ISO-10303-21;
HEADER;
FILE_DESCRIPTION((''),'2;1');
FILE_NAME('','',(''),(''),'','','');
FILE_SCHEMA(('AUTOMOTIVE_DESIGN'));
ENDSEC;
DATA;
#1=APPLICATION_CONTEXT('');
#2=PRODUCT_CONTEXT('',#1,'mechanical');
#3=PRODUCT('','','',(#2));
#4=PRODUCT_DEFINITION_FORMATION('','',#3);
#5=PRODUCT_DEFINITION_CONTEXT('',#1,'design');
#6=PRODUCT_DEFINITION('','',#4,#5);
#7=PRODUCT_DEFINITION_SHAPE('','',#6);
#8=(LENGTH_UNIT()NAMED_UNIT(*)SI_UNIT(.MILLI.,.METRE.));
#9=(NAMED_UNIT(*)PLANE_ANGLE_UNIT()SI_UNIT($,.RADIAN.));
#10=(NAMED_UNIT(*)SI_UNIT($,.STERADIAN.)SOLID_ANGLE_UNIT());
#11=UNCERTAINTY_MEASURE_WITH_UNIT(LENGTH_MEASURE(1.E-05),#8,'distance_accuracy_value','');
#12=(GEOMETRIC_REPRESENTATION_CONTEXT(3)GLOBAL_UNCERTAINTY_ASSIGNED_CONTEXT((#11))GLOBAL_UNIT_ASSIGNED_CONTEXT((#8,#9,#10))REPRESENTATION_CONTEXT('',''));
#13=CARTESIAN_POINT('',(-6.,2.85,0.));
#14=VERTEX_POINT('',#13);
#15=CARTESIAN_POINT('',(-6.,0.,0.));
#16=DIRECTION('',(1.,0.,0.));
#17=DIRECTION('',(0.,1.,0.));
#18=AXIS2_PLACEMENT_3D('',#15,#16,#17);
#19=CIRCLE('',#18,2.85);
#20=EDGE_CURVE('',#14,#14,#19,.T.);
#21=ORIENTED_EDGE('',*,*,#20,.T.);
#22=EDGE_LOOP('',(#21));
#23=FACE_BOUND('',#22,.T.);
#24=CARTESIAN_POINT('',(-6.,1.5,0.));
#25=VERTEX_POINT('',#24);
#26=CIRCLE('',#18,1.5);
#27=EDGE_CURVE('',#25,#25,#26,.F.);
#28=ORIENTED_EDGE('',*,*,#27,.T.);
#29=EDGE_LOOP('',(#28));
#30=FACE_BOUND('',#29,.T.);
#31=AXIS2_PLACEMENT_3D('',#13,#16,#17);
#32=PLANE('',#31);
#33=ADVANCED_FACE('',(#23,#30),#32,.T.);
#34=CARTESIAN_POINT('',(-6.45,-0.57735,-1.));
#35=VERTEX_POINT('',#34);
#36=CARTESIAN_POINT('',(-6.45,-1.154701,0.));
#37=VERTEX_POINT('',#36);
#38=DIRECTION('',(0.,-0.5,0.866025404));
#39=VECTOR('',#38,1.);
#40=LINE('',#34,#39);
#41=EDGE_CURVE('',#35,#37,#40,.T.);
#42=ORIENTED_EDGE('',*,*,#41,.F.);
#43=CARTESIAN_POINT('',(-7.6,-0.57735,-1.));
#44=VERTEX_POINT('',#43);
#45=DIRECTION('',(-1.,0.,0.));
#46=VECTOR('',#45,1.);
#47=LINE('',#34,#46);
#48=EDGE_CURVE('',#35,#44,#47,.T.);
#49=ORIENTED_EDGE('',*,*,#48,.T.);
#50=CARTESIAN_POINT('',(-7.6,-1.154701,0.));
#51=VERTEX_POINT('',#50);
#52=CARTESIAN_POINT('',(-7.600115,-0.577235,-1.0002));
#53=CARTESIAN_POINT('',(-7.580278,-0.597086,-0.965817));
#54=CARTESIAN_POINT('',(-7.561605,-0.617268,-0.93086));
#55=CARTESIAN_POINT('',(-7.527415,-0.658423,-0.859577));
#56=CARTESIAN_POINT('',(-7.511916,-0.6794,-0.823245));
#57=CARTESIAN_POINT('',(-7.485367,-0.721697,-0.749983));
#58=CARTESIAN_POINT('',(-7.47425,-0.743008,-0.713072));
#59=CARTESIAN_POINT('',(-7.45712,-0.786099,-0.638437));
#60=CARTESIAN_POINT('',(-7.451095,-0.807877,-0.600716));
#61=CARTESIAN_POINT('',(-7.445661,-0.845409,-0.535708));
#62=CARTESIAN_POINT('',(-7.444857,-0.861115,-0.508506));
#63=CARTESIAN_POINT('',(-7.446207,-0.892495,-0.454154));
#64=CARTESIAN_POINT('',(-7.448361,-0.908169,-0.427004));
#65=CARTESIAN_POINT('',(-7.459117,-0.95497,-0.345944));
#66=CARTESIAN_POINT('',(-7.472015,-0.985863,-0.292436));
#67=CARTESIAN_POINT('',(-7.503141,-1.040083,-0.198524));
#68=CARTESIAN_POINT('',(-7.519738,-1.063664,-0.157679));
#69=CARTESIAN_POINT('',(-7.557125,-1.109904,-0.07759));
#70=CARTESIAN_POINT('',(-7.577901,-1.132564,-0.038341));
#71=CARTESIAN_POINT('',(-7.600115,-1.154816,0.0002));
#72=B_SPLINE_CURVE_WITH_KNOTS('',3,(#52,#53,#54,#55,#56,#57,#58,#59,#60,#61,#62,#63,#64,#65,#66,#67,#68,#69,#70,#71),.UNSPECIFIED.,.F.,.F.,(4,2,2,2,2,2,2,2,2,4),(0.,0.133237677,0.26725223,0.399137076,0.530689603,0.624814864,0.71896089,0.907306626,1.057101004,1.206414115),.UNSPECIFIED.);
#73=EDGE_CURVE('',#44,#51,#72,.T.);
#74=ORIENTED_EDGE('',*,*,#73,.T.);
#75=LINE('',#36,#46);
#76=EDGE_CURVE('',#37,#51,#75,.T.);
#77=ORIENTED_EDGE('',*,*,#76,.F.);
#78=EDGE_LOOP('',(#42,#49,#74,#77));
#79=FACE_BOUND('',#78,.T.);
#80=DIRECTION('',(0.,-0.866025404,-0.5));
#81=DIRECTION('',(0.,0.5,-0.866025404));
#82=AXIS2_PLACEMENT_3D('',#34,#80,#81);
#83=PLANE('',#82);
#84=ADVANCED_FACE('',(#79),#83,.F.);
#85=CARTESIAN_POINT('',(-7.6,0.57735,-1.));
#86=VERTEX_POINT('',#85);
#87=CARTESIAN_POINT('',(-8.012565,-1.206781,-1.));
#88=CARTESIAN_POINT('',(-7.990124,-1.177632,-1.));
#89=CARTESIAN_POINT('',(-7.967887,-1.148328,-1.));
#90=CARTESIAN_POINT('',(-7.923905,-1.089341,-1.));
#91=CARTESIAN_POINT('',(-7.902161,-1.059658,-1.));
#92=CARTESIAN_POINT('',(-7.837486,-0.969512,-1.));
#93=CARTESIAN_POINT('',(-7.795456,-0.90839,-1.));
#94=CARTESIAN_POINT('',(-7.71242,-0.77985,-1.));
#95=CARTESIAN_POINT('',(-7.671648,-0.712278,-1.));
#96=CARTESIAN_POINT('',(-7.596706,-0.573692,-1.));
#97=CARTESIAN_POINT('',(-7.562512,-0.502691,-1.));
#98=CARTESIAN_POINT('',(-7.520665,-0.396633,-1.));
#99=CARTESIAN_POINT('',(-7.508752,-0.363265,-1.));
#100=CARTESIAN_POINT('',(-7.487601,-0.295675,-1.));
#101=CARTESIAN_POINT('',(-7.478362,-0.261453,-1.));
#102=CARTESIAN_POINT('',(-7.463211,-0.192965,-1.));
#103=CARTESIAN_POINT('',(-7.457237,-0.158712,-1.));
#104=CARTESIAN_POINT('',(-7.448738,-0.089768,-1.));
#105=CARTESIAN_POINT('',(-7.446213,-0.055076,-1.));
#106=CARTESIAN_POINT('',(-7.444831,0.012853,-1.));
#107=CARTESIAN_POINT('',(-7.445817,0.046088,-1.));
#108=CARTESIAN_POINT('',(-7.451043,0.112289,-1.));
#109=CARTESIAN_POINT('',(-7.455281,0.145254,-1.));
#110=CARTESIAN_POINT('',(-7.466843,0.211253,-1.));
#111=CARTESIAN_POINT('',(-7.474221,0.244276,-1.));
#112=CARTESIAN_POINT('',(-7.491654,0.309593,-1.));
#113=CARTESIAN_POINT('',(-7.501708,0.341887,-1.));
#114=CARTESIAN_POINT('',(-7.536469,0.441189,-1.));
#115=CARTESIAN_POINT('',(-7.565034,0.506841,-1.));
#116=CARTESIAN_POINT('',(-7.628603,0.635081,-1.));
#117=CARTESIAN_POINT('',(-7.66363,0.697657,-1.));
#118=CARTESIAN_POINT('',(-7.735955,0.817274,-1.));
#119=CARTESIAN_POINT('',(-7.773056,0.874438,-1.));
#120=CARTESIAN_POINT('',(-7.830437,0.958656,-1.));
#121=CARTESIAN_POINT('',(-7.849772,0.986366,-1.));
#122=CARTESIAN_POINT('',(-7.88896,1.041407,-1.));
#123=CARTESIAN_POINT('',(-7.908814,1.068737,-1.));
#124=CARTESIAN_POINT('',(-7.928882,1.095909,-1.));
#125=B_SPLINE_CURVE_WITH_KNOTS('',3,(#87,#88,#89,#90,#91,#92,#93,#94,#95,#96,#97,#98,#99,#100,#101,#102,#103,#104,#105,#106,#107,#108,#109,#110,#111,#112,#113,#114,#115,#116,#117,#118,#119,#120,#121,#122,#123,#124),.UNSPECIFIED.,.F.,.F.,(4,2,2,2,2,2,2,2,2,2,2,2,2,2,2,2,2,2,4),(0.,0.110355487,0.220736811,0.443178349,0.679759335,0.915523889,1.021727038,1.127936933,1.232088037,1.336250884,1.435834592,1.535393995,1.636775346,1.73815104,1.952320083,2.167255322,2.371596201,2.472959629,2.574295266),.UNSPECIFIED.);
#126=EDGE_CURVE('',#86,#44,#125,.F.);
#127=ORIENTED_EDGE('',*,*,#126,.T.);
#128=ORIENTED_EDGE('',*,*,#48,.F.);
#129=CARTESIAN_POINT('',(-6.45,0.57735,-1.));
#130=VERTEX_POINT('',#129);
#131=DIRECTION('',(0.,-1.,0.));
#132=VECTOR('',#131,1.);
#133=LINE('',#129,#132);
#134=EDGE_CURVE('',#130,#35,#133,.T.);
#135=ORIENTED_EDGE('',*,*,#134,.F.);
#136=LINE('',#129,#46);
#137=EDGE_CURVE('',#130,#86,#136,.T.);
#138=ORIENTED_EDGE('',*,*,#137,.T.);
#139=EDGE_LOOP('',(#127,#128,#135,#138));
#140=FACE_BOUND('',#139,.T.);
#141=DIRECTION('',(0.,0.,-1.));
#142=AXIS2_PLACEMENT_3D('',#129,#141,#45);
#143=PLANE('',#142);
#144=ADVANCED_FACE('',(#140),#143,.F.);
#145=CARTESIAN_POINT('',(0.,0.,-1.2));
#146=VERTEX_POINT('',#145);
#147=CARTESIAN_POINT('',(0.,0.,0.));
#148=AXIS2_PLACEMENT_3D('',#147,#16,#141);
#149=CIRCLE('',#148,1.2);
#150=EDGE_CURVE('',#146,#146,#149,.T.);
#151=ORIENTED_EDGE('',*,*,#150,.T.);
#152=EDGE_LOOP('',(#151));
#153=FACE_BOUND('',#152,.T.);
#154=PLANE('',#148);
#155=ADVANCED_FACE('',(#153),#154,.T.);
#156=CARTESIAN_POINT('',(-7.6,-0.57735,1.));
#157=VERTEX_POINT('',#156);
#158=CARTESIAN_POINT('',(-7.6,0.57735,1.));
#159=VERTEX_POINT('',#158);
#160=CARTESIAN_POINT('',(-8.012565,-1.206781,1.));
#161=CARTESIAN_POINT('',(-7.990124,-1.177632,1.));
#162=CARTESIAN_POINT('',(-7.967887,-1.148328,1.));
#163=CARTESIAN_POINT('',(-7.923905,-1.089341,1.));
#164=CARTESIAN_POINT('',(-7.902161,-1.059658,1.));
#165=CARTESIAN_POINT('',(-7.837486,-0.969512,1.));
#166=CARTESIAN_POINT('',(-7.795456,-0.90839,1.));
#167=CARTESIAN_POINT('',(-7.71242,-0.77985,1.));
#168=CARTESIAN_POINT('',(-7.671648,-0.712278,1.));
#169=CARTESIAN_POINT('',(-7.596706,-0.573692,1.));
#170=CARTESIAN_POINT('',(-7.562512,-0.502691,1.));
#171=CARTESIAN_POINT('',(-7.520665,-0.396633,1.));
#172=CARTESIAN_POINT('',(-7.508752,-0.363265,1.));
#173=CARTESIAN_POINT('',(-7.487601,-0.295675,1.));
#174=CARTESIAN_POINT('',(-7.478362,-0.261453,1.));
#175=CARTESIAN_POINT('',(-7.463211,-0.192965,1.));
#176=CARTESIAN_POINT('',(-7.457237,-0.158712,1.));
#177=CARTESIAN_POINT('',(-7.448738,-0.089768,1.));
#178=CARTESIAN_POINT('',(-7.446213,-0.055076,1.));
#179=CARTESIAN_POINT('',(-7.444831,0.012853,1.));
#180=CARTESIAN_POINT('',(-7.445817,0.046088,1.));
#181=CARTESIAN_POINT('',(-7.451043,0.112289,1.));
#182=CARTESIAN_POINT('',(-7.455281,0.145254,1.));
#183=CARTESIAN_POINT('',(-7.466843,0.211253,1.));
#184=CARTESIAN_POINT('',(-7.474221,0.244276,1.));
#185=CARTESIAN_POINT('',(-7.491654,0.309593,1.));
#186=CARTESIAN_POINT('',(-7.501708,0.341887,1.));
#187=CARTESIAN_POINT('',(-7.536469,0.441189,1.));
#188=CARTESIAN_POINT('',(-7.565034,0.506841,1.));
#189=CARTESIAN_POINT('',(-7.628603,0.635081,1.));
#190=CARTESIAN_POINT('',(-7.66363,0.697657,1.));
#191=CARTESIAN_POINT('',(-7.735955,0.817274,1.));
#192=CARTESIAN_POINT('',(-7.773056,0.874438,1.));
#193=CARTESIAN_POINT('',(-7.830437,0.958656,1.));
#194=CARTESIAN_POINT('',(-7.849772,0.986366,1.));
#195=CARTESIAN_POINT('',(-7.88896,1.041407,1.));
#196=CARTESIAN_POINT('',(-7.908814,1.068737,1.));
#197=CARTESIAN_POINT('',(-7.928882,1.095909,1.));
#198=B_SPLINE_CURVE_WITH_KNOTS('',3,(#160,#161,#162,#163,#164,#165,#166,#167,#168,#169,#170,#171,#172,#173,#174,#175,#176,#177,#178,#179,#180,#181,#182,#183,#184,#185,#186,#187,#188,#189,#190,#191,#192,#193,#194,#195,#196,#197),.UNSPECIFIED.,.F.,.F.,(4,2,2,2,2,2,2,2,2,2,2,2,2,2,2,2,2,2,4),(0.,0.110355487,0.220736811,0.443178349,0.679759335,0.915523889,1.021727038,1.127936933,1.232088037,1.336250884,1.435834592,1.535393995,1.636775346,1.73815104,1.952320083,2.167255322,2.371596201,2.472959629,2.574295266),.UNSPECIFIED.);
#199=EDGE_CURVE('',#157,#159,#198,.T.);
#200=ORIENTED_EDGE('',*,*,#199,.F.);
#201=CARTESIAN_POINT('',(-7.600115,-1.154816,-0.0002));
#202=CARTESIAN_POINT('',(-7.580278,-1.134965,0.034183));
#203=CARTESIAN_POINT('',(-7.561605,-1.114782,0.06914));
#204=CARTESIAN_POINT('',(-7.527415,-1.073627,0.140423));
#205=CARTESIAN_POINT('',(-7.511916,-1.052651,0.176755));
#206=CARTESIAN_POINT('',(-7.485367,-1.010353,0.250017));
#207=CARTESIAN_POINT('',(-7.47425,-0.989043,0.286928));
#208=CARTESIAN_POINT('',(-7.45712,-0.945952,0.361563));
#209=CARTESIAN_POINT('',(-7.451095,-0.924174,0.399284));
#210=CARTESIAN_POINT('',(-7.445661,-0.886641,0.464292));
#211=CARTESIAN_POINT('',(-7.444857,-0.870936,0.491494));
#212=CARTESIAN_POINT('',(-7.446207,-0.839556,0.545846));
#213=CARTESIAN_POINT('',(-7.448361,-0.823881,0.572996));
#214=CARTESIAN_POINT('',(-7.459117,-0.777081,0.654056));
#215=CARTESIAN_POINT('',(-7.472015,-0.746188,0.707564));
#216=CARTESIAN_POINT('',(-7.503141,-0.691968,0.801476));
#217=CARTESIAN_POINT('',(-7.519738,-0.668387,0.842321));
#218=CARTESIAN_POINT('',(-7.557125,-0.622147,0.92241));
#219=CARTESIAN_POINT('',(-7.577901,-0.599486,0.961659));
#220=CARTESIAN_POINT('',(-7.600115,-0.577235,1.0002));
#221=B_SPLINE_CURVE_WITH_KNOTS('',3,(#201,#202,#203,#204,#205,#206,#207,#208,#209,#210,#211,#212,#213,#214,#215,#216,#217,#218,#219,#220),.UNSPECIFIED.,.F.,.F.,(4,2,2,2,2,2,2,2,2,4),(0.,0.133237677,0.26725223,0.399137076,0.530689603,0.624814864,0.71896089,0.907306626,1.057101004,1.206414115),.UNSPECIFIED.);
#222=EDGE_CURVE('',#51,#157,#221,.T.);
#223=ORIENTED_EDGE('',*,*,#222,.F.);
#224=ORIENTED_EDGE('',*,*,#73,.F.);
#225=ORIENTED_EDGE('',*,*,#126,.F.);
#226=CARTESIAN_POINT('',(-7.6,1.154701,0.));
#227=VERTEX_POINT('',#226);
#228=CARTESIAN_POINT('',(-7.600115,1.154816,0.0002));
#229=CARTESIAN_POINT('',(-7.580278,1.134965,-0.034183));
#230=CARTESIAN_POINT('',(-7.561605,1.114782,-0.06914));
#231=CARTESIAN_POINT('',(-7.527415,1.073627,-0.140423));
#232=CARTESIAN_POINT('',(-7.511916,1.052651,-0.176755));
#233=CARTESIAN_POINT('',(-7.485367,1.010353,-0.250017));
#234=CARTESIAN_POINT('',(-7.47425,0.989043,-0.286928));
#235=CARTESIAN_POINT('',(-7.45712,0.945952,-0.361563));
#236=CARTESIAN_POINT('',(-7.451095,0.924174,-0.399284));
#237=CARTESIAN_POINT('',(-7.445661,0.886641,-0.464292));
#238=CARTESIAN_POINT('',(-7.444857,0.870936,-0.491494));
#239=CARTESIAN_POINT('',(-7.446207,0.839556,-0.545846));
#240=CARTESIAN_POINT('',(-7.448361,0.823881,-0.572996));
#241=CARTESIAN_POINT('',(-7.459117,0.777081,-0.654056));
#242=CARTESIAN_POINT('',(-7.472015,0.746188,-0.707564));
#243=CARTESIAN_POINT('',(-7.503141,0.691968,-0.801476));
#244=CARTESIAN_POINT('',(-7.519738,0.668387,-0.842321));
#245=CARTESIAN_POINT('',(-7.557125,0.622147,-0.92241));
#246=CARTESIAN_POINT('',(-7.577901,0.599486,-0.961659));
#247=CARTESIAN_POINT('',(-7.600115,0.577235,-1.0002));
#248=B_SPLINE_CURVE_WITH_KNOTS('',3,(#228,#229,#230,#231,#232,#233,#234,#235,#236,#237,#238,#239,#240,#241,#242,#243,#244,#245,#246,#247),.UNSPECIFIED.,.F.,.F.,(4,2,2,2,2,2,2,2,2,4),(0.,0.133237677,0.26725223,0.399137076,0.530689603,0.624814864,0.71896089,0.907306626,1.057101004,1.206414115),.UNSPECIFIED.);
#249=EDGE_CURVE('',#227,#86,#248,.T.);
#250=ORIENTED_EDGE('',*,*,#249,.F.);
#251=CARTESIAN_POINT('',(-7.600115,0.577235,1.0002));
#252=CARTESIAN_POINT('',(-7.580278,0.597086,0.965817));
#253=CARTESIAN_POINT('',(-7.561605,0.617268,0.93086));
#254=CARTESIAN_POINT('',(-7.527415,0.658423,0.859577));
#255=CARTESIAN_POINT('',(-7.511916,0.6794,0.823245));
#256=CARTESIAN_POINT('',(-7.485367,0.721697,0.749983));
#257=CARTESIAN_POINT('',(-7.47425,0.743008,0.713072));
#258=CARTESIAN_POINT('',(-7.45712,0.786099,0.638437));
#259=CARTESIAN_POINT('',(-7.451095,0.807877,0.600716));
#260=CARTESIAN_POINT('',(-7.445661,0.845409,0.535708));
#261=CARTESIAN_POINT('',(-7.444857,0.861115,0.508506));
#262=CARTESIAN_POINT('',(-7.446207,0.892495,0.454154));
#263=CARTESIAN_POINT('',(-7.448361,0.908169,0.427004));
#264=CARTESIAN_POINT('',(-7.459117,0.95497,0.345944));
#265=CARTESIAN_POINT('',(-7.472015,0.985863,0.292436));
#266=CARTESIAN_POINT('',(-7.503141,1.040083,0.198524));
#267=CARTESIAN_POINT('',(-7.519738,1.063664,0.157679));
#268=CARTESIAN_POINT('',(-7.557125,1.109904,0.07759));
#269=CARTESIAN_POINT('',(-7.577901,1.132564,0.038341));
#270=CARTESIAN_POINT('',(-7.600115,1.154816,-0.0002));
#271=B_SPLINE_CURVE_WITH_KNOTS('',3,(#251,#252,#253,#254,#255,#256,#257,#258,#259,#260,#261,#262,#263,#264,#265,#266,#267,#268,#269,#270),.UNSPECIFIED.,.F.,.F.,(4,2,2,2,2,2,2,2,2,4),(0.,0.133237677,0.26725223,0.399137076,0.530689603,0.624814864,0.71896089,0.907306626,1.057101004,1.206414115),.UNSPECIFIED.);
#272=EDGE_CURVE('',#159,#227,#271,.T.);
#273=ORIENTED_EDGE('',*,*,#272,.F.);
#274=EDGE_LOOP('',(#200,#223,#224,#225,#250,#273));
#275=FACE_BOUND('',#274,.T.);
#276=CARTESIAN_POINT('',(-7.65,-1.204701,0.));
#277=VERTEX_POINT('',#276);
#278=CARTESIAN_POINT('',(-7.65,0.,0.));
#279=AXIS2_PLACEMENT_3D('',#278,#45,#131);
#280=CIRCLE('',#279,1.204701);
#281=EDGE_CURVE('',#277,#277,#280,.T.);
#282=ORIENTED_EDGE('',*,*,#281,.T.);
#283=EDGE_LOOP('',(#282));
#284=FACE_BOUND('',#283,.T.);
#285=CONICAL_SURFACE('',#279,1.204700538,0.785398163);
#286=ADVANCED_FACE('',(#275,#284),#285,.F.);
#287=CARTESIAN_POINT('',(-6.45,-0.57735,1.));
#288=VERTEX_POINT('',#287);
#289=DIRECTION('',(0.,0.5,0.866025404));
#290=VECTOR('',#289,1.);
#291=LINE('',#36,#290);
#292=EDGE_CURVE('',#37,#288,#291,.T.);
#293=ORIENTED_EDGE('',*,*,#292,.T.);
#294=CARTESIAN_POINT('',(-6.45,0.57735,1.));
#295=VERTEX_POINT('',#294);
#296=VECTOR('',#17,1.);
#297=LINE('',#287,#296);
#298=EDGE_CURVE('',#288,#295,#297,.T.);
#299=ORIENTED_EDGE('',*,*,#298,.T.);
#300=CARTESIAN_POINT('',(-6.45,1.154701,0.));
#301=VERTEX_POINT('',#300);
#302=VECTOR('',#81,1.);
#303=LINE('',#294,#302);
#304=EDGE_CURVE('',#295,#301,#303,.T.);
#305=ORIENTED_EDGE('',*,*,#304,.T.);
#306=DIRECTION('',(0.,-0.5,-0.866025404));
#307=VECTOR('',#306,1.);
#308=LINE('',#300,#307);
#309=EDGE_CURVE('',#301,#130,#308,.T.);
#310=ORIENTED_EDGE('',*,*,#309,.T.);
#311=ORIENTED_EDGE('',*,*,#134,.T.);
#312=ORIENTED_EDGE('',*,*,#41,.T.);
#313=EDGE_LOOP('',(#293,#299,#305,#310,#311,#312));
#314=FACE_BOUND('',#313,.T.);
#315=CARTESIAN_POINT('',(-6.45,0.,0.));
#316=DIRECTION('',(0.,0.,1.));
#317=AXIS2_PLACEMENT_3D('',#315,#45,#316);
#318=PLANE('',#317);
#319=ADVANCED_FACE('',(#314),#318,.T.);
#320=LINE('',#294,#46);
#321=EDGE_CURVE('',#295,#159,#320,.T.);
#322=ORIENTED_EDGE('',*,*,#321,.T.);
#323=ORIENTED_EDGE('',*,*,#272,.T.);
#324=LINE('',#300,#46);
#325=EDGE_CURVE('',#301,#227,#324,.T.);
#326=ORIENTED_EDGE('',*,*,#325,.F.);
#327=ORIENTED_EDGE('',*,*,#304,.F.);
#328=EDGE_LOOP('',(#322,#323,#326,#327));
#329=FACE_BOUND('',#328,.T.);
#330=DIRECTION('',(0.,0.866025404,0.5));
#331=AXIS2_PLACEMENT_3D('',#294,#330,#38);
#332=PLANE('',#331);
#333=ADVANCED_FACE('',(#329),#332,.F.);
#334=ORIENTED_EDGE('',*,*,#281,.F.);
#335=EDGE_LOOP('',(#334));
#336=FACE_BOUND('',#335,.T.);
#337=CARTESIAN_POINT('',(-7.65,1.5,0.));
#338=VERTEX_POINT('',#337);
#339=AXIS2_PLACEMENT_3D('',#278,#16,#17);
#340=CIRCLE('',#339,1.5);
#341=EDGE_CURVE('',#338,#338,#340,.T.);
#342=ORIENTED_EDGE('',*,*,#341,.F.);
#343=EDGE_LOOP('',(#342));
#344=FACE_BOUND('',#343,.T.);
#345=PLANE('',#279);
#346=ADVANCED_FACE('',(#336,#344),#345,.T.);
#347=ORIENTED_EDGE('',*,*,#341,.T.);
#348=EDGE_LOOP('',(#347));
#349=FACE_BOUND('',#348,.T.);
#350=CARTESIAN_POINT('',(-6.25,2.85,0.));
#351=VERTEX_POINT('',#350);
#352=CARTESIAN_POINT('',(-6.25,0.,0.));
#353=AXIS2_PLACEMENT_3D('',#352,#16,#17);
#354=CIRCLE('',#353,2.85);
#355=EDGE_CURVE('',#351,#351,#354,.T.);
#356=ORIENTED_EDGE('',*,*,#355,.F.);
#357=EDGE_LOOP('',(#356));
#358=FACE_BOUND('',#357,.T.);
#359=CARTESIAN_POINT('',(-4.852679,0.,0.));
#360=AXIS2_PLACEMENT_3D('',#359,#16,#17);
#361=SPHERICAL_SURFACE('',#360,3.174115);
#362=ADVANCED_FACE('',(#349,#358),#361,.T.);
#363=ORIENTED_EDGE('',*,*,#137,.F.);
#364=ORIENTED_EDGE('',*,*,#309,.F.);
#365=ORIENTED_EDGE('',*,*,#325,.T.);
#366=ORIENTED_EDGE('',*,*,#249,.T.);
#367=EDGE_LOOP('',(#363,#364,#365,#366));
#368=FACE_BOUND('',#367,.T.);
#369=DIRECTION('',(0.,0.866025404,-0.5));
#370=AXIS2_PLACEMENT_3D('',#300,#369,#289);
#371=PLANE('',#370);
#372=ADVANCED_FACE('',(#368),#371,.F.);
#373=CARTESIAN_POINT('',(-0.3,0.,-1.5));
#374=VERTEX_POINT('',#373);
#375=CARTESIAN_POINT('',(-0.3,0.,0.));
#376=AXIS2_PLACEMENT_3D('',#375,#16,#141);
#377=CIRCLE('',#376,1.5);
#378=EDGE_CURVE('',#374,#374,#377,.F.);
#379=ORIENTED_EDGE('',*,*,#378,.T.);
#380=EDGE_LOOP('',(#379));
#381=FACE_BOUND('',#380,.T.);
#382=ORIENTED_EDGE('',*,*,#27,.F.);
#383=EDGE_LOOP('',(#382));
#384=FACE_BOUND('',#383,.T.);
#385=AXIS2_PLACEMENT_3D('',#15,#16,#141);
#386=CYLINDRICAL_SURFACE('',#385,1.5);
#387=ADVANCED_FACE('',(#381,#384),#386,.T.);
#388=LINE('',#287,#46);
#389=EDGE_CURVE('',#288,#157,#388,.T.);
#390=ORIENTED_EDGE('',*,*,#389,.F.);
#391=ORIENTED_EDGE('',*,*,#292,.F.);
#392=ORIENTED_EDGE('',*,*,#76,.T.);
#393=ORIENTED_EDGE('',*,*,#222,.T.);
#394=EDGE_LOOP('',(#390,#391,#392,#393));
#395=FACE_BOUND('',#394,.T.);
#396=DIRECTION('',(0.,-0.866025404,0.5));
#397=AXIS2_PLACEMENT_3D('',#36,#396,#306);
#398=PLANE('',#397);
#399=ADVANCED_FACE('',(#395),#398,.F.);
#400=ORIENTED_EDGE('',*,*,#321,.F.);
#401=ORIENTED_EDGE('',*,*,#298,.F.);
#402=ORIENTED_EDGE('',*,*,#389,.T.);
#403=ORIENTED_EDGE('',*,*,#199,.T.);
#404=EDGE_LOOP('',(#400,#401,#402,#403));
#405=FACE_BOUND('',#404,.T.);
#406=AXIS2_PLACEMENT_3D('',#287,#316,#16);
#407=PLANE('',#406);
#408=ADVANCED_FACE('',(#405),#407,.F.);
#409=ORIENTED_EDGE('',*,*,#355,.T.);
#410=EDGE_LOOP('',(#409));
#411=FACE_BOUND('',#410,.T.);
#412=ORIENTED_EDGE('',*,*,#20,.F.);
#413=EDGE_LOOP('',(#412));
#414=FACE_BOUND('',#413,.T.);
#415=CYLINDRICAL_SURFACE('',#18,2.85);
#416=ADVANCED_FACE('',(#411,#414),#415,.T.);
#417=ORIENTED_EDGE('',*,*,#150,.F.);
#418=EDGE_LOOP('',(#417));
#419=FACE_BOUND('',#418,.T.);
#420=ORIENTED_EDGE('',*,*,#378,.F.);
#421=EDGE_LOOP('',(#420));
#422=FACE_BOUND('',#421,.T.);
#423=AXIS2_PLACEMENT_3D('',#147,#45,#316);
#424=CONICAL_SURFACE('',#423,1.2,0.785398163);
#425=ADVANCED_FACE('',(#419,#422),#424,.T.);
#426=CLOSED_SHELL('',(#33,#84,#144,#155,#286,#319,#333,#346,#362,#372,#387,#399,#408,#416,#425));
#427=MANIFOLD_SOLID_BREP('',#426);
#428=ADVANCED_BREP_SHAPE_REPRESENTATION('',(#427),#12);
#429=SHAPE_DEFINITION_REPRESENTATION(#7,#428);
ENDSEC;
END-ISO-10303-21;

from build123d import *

# Parameters (mm, degrees)
SKETCH2_R           = 1.5
BOSS_EXTRUDE1_DEPTH = 6
CHAMFER1_SIZE       = 0.3
CUT_EXTRUDE1_DEPTH  = 1.2
SKETCH8_R           = 1.204700538
CUT_EXTRUDE2_DEPTH  = 1
CUT_EXTRUDE2_TAPER  = 45


with BuildPart() as part:
    # Sketch2 → Boss-Extrude1 (new body)
    with BuildSketch(Plane(origin=(0, 0, 0), x_dir=(0, 0, -1), z_dir=(1, 0, 0))):
        Circle(SKETCH2_R)
    extrude(amount=-BOSS_EXTRUDE1_DEPTH)

    # Chamfer1
    chamfer1_edges = [part.edges().sort_by_distance(p)[0] for p in [
        (0, 0, 1.5),
    ]]
    chamfer(chamfer1_edges, length=CHAMFER1_SIZE)

    # Sketch6 → Revolve1 (revolve)
    with BuildSketch(Plane.XY):
        with BuildLine():
            Line((-7.65, 0), (-7.65, 1.5))
            ThreePointArc((-7.65, 1.5), (-7.055944823, 2.284868705), (-6.25, 2.85))
            Line((-6.25, 2.85), (-6, 2.85))
            Line((-6, 2.85), (-6, 0))
            Line((-6, 0), (-7.65, 0))
        make_face()
    revolve(axis=Axis((-6, 0, 0), (-1, 0, 0)))

    # Sketch7 → Cut-Extrude1 (cut)
    with BuildSketch(Plane.ZY.offset(7.65)):
        Polygon((0, 1.154700538), (-1, 0.577350269), (-1, -0.577350269), (0, -1.154700538), (1, -0.577350269), (1, 0.577350269), align=None)
    extrude(amount=-CUT_EXTRUDE1_DEPTH, mode=Mode.SUBTRACT)

    # Sketch8 → Cut-Extrude2 (cut)
    with BuildSketch(Plane.ZY.offset(7.65)):
        Circle(SKETCH8_R)
    extrude(amount=-CUT_EXTRUDE2_DEPTH, taper=CUT_EXTRUDE2_TAPER, mode=Mode.SUBTRACT)


solid = part.part
